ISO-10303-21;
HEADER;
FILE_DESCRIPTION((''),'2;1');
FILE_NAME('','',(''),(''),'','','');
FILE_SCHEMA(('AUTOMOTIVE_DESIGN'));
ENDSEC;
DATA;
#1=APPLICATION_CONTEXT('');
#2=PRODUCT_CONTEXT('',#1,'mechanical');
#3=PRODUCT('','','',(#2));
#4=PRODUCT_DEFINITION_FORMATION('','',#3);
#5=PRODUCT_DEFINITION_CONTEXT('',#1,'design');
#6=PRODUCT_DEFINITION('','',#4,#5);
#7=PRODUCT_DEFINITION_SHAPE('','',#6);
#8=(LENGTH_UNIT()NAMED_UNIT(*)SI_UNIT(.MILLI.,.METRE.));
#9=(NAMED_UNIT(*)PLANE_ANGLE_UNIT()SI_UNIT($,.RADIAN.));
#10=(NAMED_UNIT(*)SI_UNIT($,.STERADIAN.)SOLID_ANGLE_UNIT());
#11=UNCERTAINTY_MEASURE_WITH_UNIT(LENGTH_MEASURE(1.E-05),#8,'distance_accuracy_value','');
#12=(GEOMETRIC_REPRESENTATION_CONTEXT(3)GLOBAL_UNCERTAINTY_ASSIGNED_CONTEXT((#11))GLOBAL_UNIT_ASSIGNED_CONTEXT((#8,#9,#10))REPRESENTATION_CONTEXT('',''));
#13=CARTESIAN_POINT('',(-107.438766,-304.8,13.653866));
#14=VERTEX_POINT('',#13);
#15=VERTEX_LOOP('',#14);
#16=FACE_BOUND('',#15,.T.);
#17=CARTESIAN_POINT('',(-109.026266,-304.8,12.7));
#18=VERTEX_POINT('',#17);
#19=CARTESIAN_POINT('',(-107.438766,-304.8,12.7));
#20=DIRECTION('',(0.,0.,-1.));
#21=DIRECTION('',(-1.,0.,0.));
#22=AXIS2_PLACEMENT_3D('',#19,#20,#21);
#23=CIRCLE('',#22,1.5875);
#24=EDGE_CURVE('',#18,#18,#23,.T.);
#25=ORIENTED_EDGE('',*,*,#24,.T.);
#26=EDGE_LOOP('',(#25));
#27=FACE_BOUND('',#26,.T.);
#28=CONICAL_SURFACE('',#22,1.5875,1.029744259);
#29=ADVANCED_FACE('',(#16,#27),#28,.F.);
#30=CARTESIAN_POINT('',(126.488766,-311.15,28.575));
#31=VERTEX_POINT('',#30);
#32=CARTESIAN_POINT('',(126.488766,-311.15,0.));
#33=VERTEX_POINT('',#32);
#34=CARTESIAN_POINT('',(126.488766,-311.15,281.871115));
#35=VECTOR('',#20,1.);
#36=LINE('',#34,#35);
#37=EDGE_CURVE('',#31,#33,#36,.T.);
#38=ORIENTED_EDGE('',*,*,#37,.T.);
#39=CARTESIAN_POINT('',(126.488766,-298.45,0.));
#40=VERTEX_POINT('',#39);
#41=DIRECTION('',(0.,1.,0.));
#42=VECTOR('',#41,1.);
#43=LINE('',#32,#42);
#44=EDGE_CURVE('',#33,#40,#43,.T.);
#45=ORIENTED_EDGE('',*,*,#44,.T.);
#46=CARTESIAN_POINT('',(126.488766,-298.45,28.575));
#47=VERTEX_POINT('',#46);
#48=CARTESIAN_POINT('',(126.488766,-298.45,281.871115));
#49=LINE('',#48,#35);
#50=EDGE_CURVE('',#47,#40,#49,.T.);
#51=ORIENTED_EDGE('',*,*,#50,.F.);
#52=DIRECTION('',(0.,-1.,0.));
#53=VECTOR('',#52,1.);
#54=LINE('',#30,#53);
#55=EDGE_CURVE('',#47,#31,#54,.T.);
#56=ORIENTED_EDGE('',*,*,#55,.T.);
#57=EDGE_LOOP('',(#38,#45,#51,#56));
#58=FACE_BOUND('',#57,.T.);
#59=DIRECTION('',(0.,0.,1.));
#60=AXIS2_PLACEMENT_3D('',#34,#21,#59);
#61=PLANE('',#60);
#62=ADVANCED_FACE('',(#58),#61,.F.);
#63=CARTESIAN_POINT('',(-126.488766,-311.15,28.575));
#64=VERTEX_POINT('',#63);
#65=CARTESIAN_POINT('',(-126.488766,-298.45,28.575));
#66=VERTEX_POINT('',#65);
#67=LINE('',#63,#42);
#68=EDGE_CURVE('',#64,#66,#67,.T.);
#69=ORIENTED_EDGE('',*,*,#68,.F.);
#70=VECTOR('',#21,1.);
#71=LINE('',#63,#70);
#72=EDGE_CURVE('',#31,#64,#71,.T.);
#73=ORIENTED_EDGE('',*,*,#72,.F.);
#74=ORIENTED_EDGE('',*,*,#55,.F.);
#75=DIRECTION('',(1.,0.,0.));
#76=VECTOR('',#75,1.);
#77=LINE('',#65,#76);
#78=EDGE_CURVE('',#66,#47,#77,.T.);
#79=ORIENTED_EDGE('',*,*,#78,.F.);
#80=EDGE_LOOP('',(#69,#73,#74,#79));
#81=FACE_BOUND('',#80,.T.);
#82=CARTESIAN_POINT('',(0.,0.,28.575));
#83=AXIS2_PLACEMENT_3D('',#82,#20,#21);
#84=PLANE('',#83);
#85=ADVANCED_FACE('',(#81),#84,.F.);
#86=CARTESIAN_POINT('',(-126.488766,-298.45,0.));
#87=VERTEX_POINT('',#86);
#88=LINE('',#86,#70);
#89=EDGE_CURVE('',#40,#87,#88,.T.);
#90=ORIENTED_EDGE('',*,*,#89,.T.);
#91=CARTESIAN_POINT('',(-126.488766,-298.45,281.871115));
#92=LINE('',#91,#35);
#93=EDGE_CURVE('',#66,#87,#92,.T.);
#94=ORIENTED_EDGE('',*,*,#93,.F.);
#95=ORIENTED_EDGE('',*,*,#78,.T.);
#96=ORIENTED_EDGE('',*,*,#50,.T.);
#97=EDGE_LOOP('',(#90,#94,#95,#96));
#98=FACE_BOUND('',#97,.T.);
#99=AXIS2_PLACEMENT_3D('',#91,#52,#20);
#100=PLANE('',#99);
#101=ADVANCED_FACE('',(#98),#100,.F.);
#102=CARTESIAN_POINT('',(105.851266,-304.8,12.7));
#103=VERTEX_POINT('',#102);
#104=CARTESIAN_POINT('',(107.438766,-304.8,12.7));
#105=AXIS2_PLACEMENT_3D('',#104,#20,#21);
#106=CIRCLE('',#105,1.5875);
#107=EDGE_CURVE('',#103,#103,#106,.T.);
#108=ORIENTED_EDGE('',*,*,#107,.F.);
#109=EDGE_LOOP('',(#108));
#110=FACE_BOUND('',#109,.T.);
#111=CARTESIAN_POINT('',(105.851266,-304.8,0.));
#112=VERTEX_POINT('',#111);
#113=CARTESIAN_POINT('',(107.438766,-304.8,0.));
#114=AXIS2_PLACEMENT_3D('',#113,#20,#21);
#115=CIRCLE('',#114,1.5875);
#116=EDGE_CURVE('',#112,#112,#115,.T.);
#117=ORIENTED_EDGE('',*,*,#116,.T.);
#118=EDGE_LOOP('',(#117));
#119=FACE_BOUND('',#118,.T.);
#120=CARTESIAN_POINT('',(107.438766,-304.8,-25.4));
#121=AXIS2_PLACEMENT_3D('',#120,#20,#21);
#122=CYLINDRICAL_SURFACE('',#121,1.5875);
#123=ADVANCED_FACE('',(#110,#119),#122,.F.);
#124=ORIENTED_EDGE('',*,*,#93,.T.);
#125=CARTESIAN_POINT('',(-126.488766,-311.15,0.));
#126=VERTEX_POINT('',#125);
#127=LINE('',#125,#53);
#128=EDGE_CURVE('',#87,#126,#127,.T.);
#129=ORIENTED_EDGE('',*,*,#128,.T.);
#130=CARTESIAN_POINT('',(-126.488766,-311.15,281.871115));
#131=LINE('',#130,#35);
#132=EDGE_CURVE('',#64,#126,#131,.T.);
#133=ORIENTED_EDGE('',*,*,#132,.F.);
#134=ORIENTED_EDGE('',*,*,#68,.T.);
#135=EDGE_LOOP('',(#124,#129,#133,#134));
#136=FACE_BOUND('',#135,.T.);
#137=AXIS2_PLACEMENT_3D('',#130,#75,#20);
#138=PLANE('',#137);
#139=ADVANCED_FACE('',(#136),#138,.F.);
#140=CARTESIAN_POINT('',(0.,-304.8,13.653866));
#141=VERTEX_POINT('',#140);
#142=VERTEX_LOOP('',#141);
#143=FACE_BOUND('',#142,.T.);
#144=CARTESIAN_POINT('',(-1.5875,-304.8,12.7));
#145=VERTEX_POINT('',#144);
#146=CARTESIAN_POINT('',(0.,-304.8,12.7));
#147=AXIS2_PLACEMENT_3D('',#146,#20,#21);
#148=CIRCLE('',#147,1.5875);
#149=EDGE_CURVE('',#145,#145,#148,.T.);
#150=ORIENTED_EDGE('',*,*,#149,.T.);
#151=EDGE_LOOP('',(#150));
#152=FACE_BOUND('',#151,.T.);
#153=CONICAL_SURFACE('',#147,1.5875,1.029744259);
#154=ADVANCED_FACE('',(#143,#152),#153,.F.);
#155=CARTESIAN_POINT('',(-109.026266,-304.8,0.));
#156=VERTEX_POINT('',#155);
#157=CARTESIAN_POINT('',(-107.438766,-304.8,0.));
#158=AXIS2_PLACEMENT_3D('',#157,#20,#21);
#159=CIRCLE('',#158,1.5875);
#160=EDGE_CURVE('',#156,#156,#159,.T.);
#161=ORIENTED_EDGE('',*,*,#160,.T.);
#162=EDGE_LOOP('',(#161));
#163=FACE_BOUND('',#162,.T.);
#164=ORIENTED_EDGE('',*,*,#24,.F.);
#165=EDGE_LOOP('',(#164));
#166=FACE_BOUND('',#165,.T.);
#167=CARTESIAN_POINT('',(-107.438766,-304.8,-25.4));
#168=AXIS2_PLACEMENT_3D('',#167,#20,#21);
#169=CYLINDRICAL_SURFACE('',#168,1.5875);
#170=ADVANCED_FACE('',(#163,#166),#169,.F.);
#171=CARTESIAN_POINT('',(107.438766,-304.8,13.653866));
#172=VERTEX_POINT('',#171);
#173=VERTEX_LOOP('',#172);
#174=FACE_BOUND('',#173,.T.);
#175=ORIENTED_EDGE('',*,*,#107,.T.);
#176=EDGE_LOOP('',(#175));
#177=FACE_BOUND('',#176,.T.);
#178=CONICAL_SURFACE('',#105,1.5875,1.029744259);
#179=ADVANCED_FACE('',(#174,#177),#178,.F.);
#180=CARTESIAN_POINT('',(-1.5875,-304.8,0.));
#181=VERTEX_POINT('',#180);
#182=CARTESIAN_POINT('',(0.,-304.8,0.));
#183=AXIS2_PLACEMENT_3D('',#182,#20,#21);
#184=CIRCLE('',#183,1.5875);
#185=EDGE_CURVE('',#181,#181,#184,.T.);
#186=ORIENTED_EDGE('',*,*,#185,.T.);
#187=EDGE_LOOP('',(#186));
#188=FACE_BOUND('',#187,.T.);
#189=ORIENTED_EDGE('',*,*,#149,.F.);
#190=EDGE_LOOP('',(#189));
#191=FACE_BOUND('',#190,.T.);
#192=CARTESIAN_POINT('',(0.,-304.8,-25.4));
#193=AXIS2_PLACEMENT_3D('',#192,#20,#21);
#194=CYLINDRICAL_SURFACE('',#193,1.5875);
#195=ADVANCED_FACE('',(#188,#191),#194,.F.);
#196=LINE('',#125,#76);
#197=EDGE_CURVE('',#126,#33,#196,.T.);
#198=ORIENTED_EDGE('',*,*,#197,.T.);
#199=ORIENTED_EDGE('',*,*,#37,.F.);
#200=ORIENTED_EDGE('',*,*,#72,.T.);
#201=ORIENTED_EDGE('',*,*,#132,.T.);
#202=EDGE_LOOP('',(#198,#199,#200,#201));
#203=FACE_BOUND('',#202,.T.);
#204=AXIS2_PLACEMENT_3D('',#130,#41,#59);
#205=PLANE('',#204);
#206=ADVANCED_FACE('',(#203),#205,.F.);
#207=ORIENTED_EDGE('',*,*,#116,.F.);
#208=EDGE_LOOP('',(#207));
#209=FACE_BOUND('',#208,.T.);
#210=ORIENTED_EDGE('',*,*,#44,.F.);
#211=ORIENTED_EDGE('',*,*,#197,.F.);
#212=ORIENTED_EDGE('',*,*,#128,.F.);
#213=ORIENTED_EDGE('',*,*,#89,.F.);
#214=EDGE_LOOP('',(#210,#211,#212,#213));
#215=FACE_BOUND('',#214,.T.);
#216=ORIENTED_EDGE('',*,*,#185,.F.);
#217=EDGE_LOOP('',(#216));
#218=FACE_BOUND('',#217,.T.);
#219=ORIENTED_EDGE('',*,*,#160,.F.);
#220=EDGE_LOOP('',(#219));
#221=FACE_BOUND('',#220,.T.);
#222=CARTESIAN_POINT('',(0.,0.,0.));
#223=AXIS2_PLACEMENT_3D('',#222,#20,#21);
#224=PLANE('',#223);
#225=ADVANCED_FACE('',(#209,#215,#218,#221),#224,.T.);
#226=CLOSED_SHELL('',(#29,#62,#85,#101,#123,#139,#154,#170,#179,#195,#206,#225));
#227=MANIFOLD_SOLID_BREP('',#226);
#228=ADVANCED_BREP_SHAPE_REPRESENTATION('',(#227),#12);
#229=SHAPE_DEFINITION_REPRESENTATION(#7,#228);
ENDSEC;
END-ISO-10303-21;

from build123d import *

# Parameters (mm, degrees)
SKETCH1_W           = 252.977532672
SKETCH1_H           = 12.7
BOSS_EXTRUDE1_DEPTH = 28.575
HOLE1_D             = 3.175
HOLE1_DEPTH         = 38.1
HOLE1_CSINK_D       = 10.16
HOLE1_CSINK_ANGLE   = 82
HOLE1_TIP           = 0.953866233


with BuildPart() as part:
    # Sketch1 → Boss-Extrude1 (new body)
    with BuildSketch(Plane.XY):
        with Locations((0, -304.8)):
            Rectangle(SKETCH1_W, SKETCH1_H)
    extrude(amount=BOSS_EXTRUDE1_DEPTH)

    # Hole1
    with Locations(Plane(origin=(0, 0, -25.4), x_dir=(-1, 0, 0), z_dir=(0, 0, -1))):
        with Locations((-75.688766336, -9.525), (218.563766336, -31.75), (218.563766336, -218.821), (218.563766336, -418.592), (104.263766336, -19.05), (104.263766336, -149.225), (104.263766336, -279.4), (120.138766336, -330.2), (120.138766336, -441.325), (-120.138766336, -441.325), (-120.138766336, -330.2), (-104.263766336, -279.4), (-104.263766336, -149.225), (-104.263766336, -19.05), (-218.563766336, -418.592), (-218.563766336, -218.821), (-218.563766336, -31.75), (0, -304.8), (107.438766336, -304.8), (-107.438766336, -304.8), (75.688766336, -276.225), (0, -276.225), (-75.688766336, -276.225), (75.688766336, -9.525), (0, -9.525)):
            CounterSinkHole(HOLE1_D / 2, HOLE1_CSINK_D / 2, depth=HOLE1_DEPTH, counter_sink_angle=HOLE1_CSINK_ANGLE)
            with Locations((0, 0, -(HOLE1_DEPTH + HOLE1_TIP / 2))):  # 118° drill point
                Cone(0, HOLE1_D / 2, HOLE1_TIP, mode=Mode.SUBTRACT)


solid = part.part
